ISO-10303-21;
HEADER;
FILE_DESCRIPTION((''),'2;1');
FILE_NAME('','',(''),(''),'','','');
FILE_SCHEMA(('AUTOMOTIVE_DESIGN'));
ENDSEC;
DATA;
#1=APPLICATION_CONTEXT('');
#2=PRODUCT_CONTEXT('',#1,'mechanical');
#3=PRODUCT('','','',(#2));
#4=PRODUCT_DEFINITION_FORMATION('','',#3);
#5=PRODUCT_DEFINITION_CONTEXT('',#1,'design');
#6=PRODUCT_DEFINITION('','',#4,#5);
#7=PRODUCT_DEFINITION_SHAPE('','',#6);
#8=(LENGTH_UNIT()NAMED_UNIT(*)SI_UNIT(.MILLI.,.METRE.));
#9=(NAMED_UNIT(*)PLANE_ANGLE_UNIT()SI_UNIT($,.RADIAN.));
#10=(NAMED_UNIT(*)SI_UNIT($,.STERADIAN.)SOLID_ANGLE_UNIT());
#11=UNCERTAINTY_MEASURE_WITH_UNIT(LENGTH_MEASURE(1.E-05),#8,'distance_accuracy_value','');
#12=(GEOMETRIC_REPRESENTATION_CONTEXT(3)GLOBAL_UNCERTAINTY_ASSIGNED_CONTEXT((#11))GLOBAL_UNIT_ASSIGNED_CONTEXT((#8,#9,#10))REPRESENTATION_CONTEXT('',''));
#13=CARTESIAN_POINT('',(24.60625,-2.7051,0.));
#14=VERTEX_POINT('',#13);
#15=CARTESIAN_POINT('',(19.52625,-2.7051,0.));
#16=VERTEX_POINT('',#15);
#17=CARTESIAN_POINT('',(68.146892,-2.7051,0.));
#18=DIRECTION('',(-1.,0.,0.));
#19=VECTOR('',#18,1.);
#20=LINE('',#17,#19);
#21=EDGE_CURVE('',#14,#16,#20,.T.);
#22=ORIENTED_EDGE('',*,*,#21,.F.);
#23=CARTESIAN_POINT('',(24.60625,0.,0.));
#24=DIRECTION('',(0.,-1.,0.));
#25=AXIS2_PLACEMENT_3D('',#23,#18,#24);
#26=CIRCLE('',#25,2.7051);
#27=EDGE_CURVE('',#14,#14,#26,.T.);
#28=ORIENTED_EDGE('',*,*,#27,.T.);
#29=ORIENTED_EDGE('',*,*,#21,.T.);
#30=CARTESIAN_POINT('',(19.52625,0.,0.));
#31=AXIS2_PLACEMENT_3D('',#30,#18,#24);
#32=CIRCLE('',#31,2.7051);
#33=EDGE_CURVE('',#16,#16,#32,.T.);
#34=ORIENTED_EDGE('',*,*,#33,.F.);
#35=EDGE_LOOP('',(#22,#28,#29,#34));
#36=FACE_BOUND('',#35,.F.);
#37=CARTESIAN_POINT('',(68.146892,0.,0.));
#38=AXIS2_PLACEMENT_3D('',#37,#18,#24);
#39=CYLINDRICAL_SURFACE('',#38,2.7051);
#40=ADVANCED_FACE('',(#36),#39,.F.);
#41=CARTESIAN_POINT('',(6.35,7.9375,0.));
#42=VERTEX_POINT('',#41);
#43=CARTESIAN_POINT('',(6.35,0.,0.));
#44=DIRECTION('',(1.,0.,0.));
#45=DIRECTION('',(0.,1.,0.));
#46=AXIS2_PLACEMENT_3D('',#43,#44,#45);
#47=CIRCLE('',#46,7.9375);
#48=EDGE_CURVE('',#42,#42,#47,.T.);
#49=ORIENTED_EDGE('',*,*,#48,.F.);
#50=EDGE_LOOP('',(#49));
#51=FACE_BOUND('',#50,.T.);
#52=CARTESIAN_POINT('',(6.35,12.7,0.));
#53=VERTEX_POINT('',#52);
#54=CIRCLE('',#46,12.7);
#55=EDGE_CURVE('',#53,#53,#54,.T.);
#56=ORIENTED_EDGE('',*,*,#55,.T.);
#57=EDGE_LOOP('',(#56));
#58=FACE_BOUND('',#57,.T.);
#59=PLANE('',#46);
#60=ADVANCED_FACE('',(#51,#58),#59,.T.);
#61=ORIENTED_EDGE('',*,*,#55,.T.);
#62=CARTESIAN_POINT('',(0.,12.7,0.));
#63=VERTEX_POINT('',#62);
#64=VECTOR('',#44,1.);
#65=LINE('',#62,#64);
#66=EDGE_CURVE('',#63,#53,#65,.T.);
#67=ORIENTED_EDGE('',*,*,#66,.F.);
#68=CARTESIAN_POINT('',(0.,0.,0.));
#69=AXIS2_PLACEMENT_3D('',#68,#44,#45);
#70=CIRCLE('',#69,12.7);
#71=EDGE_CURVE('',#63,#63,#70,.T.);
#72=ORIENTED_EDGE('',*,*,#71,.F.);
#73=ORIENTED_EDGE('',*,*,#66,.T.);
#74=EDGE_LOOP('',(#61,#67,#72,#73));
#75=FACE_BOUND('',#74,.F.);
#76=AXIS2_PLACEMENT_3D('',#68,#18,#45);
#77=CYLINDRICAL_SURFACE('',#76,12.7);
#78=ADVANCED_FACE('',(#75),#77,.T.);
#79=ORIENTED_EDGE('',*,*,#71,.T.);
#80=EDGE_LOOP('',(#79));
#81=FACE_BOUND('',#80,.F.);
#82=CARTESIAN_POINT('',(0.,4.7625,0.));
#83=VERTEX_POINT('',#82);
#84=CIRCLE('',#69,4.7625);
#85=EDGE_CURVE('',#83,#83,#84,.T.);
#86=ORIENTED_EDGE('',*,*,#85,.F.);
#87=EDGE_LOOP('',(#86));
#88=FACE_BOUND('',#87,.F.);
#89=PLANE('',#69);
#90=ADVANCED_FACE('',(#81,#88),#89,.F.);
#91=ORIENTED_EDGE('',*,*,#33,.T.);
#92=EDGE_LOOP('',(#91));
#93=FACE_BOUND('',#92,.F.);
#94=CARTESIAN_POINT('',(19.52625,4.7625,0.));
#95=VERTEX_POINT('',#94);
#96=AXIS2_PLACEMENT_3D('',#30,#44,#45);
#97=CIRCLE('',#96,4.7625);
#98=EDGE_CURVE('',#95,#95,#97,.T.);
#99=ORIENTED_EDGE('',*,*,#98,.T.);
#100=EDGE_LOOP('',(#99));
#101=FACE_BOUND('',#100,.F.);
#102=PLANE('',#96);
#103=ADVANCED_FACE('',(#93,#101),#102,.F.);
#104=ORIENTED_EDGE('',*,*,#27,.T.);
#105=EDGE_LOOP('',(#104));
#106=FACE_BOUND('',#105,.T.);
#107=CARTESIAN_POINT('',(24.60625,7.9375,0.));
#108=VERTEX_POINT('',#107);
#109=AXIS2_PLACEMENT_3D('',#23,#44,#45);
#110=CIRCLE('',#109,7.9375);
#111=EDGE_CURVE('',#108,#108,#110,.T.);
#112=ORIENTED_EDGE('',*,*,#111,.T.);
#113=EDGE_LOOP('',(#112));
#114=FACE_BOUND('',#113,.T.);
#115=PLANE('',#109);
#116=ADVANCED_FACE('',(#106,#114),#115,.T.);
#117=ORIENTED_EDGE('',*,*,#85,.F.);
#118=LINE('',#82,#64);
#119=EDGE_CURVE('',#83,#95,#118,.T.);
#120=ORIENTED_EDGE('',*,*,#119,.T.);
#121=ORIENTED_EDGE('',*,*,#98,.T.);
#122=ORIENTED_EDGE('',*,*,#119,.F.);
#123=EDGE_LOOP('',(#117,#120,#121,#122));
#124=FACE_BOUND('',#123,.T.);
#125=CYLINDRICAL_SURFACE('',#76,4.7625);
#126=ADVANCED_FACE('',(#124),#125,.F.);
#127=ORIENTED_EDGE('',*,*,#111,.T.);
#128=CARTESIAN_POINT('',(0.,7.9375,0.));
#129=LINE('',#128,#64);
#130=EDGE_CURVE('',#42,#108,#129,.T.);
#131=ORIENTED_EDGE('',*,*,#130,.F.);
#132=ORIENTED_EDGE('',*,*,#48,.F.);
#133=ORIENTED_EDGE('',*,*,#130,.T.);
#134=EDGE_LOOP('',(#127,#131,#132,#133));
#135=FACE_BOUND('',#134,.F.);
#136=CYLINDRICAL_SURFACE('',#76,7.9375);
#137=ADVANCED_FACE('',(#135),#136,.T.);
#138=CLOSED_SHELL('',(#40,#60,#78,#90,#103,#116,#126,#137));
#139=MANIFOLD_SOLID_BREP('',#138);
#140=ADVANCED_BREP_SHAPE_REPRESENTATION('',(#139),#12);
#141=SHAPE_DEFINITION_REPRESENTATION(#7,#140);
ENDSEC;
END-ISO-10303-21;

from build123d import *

# Parameters (mm, degrees)
F0_R     = 12.7
F0_R_2   = 7.9375
F1_DEPTH = 6.35
F0_R_3   = 4.7625
F2_DEPTH = 24.60625
F3_R     = 4.7625
F3_R_2   = 3.175
F4_DEPTH = 5.08
F5_DEPTH = 5.08
F6_D     = 5.4102


with BuildPart() as f1:
    # F0 (on Right) → F1 (new body)
    with BuildSketch(Plane.YZ):
        Circle(F0_R)
        Circle(F0_R_2, mode=Mode.SUBTRACT)
    extrude(amount=F1_DEPTH)

    # F0 (on Right) → F2 (join)
    with BuildSketch(Plane.YZ):
        Circle(F0_R_2)
        Circle(F0_R_3, mode=Mode.SUBTRACT)
    extrude(amount=F2_DEPTH)

    # F3 (on face) → F4 (join)
    with BuildSketch(Plane.YZ.offset(24.60625)):
        Circle(F3_R)
        Circle(F3_R_2, mode=Mode.SUBTRACT)
    extrude(amount=-F4_DEPTH)

    # F3 (on face) → F5 (join)
    with BuildSketch(Plane.YZ.offset(24.60625)):
        Circle(F3_R_2)
    extrude(amount=-F5_DEPTH)

    # F6 (through all)
    with Locations(Plane.YZ.offset(24.60625)):
        with Locations((0, 0)):
            Hole(F6_D / 2)


solid = f1.part
